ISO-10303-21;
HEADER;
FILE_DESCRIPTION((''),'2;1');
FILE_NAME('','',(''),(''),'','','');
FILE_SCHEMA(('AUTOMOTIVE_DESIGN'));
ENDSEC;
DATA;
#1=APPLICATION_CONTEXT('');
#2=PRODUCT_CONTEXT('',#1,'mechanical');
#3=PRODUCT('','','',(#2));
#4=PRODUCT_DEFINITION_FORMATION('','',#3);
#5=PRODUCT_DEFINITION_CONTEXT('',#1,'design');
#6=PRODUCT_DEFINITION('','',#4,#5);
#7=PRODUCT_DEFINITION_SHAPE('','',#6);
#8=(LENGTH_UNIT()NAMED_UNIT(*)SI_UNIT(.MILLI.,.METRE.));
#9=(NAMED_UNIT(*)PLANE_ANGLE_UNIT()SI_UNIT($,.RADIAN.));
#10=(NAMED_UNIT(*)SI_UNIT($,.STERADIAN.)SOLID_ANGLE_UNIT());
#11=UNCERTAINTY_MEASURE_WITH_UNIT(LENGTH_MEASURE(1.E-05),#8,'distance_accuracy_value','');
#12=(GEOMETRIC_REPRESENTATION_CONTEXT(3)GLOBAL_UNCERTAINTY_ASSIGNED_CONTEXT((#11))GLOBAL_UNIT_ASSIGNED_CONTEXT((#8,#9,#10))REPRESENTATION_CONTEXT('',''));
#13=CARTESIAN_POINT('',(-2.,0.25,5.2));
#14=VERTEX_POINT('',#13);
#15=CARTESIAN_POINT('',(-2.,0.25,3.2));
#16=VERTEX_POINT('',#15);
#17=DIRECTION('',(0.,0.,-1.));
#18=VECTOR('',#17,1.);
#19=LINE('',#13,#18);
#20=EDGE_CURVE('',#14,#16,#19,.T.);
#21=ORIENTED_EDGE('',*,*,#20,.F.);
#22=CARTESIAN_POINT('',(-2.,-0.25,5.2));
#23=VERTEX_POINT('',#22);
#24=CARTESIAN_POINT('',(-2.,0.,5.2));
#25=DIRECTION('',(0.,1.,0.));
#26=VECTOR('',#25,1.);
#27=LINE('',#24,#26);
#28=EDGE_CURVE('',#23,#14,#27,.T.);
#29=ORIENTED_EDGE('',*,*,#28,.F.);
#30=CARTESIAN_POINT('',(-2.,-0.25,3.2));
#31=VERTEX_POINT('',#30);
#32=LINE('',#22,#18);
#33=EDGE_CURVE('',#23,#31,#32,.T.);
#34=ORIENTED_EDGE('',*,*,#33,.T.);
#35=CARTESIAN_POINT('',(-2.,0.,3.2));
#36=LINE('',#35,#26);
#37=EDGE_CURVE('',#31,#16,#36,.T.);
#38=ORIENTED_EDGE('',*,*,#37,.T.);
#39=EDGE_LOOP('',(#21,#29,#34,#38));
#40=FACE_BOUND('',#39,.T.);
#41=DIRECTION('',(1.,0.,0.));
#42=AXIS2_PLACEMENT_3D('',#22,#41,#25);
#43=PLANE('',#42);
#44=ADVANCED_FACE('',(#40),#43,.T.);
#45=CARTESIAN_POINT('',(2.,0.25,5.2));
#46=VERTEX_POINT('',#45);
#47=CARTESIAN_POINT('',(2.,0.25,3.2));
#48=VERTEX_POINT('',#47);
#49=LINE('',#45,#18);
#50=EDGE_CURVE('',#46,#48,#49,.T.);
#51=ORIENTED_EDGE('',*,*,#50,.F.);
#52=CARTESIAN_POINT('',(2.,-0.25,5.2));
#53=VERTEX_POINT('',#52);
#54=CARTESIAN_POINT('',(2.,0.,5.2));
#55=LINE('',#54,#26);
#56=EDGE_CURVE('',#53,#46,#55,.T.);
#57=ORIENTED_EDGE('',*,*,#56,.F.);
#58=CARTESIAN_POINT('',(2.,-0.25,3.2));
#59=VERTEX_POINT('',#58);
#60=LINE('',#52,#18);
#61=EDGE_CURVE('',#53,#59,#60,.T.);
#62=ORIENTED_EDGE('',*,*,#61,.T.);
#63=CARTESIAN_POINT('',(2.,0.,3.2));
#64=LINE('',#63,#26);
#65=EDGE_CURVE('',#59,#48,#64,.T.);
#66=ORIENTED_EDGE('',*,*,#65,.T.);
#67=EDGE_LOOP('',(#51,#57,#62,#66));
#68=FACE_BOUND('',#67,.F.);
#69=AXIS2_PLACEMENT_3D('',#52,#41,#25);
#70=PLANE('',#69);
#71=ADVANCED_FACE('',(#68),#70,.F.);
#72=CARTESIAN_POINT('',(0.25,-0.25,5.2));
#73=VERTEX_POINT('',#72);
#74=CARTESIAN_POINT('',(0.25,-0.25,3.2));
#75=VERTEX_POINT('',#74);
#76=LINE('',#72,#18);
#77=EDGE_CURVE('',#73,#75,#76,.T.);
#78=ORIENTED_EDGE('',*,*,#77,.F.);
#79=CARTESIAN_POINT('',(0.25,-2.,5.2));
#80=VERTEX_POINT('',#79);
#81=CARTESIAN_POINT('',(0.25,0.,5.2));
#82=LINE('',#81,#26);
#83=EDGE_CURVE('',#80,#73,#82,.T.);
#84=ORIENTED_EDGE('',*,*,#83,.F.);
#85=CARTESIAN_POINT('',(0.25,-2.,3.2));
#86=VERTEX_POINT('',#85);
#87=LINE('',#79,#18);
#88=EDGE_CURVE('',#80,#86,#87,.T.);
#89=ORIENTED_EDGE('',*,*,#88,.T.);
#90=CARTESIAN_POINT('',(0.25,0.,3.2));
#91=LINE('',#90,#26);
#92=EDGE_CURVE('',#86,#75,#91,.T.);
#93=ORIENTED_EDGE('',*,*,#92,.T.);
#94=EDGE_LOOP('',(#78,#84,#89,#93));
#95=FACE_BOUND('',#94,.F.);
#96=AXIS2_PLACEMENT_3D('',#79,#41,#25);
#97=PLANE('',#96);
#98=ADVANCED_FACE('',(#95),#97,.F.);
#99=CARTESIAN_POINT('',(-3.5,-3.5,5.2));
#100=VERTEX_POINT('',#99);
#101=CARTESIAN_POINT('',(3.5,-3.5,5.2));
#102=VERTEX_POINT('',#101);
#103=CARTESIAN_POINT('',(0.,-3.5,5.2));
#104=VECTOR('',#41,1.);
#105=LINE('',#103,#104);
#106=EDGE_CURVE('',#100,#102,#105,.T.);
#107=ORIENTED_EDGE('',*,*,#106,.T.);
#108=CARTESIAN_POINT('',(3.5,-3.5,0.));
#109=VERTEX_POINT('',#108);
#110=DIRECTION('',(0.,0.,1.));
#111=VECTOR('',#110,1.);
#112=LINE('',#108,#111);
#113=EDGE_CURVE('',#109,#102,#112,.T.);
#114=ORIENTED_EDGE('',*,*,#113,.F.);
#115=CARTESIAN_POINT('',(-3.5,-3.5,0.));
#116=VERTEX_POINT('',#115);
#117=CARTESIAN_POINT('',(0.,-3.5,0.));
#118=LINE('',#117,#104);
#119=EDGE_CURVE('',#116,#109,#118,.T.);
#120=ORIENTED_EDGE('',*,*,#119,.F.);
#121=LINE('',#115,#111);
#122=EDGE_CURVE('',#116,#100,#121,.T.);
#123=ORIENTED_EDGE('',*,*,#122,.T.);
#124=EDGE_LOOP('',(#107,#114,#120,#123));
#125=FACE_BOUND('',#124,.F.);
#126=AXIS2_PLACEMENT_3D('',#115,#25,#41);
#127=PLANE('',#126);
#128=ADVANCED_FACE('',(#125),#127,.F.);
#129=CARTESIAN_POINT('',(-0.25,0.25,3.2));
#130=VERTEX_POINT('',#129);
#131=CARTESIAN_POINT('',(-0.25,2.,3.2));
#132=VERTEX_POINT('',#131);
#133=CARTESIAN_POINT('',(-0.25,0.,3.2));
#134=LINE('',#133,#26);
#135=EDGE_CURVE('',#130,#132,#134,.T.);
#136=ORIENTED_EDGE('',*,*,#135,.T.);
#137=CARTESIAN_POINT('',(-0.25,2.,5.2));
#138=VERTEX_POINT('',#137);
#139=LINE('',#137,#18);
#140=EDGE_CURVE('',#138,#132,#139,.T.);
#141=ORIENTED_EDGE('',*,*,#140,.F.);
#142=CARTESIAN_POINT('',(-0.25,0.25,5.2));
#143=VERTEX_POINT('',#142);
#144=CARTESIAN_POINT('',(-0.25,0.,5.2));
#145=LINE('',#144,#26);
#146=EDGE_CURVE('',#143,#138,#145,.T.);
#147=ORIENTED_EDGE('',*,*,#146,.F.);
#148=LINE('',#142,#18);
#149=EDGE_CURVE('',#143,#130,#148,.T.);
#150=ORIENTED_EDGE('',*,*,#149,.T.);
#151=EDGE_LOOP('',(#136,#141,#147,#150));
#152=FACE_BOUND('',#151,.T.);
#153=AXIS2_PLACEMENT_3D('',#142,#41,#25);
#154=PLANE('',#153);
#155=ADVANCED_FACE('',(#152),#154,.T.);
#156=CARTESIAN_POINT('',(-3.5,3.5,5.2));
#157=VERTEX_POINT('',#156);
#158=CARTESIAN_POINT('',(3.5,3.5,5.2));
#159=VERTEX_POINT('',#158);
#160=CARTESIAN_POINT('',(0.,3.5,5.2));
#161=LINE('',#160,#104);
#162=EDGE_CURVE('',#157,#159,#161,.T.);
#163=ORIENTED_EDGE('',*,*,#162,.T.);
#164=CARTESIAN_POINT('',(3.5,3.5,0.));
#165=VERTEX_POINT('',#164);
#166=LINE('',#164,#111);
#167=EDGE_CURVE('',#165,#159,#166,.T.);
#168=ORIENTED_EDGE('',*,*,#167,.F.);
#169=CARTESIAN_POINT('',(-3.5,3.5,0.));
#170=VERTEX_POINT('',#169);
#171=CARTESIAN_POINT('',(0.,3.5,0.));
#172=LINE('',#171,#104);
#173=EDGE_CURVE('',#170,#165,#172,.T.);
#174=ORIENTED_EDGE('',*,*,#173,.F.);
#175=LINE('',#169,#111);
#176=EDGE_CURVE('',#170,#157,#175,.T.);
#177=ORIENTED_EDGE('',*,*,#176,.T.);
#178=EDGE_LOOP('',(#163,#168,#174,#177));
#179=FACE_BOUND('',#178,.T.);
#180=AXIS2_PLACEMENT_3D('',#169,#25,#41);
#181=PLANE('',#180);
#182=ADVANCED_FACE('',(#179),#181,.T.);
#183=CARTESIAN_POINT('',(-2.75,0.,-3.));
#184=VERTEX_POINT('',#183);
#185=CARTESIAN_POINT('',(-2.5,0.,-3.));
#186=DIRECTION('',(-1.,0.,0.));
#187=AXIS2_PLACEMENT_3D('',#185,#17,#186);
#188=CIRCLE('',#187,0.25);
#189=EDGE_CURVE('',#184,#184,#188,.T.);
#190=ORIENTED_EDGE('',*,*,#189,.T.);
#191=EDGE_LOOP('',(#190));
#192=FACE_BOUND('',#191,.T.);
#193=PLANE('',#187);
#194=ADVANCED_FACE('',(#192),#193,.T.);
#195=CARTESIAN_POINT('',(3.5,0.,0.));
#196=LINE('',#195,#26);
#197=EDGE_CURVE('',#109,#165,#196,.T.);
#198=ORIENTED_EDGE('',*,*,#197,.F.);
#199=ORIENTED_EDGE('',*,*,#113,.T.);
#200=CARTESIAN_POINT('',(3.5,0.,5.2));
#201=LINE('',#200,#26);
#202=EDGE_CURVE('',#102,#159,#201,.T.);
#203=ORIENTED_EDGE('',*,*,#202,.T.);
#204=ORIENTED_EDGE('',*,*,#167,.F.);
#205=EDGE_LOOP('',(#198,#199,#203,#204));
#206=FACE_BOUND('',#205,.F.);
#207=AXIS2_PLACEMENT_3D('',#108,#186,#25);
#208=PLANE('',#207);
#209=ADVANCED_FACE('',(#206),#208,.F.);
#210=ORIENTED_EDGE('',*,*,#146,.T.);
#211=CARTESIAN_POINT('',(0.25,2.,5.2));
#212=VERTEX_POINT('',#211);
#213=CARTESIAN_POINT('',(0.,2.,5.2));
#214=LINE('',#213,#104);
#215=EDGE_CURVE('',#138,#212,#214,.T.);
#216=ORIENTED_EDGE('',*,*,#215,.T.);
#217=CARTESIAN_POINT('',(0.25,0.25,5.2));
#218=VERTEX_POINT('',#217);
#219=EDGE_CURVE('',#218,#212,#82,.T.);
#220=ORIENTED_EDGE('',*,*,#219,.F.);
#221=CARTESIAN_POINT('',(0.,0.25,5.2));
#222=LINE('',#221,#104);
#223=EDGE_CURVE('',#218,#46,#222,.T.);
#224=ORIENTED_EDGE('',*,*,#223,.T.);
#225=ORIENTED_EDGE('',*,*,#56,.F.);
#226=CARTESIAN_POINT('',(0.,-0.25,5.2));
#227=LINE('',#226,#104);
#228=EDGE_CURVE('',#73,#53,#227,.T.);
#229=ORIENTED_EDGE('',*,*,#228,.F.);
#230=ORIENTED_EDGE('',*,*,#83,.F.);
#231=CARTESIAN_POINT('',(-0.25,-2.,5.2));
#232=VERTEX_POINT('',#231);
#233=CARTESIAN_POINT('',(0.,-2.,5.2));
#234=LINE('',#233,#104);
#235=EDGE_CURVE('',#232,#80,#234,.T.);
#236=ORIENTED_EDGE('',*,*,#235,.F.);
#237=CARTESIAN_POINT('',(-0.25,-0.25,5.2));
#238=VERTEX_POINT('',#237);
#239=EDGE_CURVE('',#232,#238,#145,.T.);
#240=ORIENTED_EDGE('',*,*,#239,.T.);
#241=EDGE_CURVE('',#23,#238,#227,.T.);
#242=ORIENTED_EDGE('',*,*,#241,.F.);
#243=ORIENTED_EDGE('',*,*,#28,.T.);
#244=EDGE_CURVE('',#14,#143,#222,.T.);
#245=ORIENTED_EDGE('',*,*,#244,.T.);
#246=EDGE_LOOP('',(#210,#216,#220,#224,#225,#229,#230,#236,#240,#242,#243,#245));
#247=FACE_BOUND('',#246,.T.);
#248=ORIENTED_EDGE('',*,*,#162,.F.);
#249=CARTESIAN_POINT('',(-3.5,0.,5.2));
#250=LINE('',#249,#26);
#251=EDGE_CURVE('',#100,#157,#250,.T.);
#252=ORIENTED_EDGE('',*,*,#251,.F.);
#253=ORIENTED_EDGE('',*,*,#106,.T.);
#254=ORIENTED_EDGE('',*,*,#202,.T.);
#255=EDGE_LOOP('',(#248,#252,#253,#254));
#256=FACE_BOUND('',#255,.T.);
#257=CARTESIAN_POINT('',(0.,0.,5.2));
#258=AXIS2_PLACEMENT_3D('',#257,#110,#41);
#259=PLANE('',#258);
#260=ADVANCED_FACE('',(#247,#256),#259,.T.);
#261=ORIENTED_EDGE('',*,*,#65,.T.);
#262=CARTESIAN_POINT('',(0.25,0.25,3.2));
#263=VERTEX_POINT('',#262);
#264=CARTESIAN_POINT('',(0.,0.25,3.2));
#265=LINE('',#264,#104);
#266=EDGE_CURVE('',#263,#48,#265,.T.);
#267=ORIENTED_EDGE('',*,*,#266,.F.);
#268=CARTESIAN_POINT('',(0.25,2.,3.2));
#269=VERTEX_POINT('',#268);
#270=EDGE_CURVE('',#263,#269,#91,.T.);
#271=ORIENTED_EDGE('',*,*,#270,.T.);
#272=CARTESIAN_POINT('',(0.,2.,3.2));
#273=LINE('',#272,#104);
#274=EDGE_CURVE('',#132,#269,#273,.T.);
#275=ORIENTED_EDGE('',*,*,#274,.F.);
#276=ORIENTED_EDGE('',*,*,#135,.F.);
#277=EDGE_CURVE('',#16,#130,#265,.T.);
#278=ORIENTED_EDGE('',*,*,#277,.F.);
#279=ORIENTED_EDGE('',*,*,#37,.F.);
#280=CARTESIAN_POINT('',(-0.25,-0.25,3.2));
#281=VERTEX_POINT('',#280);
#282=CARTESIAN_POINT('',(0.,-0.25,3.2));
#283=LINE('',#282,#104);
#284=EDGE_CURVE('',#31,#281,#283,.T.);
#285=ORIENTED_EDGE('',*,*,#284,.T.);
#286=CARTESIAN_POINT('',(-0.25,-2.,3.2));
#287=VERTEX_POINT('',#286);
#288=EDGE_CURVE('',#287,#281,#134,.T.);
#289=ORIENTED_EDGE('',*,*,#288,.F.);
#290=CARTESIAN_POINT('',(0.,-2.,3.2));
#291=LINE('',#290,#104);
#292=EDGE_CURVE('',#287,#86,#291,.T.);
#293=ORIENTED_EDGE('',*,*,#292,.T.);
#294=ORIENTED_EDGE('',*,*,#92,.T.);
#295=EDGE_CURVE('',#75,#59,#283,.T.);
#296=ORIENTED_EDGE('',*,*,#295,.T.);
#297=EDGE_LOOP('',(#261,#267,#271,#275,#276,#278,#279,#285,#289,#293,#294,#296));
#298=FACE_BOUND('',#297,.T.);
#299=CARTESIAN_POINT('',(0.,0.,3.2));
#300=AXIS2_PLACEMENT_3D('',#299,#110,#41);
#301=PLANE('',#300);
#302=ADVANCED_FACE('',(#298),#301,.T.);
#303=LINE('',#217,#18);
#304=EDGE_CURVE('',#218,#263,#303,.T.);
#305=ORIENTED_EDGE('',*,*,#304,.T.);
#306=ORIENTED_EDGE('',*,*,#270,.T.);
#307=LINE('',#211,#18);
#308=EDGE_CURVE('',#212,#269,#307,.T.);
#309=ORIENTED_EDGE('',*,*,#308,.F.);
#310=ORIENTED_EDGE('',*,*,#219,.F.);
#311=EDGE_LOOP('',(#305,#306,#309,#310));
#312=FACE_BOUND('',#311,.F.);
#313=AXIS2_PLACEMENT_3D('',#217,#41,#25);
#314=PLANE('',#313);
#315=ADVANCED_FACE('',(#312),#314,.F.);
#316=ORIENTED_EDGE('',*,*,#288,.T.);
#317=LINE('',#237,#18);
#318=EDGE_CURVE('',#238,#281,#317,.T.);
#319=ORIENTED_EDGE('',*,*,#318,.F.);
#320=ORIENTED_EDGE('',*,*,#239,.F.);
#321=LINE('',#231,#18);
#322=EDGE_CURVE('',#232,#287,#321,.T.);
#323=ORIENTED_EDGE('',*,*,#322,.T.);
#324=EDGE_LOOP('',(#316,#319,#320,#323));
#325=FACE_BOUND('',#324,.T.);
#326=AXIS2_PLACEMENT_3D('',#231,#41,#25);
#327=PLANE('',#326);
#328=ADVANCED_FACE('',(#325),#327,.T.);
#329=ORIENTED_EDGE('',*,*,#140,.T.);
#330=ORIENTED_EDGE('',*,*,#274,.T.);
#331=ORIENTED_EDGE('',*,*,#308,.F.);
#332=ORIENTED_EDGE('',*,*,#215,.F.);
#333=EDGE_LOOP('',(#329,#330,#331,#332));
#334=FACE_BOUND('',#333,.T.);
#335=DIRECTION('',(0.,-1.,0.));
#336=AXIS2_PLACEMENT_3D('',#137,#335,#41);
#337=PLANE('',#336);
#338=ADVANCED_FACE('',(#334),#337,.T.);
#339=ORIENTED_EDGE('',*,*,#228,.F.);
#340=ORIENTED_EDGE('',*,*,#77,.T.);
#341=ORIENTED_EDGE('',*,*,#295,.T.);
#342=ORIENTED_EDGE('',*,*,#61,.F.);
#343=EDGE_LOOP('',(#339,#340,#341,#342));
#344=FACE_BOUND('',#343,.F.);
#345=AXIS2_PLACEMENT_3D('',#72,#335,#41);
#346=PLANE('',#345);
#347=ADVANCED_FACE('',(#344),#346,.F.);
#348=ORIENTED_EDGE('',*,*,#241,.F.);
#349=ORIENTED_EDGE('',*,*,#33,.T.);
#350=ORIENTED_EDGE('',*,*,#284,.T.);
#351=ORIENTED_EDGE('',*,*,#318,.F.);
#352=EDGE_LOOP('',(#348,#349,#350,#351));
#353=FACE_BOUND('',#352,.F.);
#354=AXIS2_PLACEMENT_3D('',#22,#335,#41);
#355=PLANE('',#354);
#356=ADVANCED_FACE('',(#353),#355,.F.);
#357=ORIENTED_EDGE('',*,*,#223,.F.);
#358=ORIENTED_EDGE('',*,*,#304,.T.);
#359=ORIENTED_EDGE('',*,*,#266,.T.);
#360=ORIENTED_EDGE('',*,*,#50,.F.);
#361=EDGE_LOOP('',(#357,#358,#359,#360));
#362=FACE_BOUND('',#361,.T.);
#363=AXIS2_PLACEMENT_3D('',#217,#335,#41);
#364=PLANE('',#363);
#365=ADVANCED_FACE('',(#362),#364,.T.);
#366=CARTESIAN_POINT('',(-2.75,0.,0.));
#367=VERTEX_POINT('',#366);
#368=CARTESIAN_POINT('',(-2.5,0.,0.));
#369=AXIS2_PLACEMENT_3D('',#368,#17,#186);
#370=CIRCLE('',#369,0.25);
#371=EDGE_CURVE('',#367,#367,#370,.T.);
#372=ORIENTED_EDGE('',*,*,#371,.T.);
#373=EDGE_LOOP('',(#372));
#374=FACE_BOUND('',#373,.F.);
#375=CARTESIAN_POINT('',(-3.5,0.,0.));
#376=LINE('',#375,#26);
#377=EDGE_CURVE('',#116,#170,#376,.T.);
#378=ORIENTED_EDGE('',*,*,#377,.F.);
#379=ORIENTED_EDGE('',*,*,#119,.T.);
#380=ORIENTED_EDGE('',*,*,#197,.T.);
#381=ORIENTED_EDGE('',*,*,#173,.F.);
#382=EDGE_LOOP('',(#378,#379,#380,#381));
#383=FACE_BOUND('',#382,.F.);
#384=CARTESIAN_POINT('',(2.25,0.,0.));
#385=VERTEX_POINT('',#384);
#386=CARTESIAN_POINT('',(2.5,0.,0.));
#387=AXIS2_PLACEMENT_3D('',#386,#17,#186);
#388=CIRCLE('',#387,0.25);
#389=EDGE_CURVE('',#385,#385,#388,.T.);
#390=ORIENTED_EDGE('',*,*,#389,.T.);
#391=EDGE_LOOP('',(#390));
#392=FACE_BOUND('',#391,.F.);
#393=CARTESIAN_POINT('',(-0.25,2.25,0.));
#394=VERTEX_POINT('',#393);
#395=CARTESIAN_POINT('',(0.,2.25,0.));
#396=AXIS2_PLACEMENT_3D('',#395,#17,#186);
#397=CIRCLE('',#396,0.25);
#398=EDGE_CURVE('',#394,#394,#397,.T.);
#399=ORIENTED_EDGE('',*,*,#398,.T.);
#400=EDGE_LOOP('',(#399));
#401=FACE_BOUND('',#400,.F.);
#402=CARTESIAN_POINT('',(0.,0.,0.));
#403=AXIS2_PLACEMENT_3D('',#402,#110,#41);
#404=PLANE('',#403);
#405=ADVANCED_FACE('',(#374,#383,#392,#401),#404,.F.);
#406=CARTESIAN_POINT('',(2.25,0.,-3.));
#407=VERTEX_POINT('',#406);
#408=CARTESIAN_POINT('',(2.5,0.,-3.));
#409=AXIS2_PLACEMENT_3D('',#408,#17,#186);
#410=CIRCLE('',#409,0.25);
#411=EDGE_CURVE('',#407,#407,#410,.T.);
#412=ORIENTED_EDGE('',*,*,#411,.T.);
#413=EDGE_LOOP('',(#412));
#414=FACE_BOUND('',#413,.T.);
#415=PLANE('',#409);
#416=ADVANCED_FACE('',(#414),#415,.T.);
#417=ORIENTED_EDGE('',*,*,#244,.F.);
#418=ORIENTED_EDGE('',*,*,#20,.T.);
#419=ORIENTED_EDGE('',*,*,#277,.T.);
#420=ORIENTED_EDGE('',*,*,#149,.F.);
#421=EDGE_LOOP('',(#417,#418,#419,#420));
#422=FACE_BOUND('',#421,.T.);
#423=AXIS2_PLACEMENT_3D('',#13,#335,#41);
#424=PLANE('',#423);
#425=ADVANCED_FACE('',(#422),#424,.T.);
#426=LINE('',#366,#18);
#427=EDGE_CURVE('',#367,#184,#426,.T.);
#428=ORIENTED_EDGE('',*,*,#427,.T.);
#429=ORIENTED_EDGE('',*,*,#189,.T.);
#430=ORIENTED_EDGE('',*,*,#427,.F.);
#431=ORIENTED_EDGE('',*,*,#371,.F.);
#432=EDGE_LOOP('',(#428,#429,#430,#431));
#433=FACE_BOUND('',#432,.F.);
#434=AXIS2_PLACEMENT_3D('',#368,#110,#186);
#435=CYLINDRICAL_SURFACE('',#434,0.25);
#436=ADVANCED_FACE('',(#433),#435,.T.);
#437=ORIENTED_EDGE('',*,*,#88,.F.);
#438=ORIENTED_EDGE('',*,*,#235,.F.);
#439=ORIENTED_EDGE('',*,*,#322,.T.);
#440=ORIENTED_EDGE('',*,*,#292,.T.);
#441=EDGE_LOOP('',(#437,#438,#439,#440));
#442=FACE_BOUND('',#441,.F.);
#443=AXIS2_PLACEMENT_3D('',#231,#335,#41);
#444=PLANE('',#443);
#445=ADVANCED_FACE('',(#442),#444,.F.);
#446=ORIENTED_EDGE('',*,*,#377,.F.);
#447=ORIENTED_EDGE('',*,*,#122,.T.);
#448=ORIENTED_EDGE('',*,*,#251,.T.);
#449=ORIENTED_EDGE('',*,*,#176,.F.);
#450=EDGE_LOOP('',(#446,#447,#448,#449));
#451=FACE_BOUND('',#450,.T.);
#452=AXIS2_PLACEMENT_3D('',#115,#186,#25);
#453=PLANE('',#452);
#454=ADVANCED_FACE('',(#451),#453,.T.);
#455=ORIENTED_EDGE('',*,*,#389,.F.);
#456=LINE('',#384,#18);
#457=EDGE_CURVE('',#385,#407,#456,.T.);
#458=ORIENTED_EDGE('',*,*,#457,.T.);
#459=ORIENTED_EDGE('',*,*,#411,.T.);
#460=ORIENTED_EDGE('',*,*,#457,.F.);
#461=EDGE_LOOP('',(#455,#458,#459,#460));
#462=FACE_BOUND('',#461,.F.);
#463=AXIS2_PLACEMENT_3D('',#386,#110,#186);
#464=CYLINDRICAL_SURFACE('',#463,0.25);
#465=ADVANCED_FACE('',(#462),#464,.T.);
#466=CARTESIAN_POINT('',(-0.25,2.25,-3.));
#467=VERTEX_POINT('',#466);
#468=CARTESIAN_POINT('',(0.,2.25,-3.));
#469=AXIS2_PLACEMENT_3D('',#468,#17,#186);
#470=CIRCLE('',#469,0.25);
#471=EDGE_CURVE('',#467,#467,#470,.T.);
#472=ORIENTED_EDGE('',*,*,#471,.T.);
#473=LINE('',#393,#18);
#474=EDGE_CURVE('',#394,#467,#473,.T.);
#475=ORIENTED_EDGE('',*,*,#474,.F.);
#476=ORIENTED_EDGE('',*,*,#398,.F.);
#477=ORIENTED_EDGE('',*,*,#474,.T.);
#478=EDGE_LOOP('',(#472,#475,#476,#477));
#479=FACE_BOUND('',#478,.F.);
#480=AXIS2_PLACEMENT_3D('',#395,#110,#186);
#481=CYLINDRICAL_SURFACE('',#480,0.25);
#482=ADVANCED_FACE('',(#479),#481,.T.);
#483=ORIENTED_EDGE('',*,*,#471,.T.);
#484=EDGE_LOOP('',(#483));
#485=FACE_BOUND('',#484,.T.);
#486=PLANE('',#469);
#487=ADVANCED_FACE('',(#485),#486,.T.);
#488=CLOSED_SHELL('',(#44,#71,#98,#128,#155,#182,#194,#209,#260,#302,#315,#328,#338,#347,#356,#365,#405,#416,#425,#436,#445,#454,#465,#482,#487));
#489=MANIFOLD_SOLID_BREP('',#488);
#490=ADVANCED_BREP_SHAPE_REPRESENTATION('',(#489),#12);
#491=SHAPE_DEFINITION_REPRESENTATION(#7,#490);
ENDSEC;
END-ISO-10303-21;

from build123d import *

# Parameters (mm, degrees)
SKETCH1_W           = 7
SKETCH1_H           = 7
BOSS_EXTRUDE1_DEPTH = 5.2
SKETCH2_W           = 4
SKETCH2_H           = 0.5
SKETCH2_W_2         = 0.5
SKETCH2_H_2         = 4
CUT_EXTRUDE1_DEPTH  = 2
SKETCH3_R           = 0.25
BOSS_EXTRUDE2_DEPTH = 3


with BuildPart() as part:
    # Sketch1 → Boss-Extrude1 (new body)
    with BuildSketch(Plane.XY):
        Rectangle(SKETCH1_W, SKETCH1_H)
    extrude(amount=BOSS_EXTRUDE1_DEPTH)

    # Sketch2 → Cut-Extrude1 (cut)
    with BuildSketch(Plane.XY.offset(5.2)):
        Rectangle(SKETCH2_W, SKETCH2_H)
        Rectangle(SKETCH2_W_2, SKETCH2_H_2)
    extrude(amount=-CUT_EXTRUDE1_DEPTH, mode=Mode.SUBTRACT)

    # Sketch3 → Boss-Extrude2 (add)
    with BuildSketch(Plane(origin=(0, 0, 0), x_dir=(-1, 0, 0), z_dir=(0, 0, -1))):
        with Locations((0, 2.25)):
            Circle(SKETCH3_R)
        with Locations((2.5, 0)):
            Circle(SKETCH3_R)
        with Locations((-2.5, 0)):
            Circle(SKETCH3_R)
    extrude(amount=BOSS_EXTRUDE2_DEPTH)


solid = part.part
